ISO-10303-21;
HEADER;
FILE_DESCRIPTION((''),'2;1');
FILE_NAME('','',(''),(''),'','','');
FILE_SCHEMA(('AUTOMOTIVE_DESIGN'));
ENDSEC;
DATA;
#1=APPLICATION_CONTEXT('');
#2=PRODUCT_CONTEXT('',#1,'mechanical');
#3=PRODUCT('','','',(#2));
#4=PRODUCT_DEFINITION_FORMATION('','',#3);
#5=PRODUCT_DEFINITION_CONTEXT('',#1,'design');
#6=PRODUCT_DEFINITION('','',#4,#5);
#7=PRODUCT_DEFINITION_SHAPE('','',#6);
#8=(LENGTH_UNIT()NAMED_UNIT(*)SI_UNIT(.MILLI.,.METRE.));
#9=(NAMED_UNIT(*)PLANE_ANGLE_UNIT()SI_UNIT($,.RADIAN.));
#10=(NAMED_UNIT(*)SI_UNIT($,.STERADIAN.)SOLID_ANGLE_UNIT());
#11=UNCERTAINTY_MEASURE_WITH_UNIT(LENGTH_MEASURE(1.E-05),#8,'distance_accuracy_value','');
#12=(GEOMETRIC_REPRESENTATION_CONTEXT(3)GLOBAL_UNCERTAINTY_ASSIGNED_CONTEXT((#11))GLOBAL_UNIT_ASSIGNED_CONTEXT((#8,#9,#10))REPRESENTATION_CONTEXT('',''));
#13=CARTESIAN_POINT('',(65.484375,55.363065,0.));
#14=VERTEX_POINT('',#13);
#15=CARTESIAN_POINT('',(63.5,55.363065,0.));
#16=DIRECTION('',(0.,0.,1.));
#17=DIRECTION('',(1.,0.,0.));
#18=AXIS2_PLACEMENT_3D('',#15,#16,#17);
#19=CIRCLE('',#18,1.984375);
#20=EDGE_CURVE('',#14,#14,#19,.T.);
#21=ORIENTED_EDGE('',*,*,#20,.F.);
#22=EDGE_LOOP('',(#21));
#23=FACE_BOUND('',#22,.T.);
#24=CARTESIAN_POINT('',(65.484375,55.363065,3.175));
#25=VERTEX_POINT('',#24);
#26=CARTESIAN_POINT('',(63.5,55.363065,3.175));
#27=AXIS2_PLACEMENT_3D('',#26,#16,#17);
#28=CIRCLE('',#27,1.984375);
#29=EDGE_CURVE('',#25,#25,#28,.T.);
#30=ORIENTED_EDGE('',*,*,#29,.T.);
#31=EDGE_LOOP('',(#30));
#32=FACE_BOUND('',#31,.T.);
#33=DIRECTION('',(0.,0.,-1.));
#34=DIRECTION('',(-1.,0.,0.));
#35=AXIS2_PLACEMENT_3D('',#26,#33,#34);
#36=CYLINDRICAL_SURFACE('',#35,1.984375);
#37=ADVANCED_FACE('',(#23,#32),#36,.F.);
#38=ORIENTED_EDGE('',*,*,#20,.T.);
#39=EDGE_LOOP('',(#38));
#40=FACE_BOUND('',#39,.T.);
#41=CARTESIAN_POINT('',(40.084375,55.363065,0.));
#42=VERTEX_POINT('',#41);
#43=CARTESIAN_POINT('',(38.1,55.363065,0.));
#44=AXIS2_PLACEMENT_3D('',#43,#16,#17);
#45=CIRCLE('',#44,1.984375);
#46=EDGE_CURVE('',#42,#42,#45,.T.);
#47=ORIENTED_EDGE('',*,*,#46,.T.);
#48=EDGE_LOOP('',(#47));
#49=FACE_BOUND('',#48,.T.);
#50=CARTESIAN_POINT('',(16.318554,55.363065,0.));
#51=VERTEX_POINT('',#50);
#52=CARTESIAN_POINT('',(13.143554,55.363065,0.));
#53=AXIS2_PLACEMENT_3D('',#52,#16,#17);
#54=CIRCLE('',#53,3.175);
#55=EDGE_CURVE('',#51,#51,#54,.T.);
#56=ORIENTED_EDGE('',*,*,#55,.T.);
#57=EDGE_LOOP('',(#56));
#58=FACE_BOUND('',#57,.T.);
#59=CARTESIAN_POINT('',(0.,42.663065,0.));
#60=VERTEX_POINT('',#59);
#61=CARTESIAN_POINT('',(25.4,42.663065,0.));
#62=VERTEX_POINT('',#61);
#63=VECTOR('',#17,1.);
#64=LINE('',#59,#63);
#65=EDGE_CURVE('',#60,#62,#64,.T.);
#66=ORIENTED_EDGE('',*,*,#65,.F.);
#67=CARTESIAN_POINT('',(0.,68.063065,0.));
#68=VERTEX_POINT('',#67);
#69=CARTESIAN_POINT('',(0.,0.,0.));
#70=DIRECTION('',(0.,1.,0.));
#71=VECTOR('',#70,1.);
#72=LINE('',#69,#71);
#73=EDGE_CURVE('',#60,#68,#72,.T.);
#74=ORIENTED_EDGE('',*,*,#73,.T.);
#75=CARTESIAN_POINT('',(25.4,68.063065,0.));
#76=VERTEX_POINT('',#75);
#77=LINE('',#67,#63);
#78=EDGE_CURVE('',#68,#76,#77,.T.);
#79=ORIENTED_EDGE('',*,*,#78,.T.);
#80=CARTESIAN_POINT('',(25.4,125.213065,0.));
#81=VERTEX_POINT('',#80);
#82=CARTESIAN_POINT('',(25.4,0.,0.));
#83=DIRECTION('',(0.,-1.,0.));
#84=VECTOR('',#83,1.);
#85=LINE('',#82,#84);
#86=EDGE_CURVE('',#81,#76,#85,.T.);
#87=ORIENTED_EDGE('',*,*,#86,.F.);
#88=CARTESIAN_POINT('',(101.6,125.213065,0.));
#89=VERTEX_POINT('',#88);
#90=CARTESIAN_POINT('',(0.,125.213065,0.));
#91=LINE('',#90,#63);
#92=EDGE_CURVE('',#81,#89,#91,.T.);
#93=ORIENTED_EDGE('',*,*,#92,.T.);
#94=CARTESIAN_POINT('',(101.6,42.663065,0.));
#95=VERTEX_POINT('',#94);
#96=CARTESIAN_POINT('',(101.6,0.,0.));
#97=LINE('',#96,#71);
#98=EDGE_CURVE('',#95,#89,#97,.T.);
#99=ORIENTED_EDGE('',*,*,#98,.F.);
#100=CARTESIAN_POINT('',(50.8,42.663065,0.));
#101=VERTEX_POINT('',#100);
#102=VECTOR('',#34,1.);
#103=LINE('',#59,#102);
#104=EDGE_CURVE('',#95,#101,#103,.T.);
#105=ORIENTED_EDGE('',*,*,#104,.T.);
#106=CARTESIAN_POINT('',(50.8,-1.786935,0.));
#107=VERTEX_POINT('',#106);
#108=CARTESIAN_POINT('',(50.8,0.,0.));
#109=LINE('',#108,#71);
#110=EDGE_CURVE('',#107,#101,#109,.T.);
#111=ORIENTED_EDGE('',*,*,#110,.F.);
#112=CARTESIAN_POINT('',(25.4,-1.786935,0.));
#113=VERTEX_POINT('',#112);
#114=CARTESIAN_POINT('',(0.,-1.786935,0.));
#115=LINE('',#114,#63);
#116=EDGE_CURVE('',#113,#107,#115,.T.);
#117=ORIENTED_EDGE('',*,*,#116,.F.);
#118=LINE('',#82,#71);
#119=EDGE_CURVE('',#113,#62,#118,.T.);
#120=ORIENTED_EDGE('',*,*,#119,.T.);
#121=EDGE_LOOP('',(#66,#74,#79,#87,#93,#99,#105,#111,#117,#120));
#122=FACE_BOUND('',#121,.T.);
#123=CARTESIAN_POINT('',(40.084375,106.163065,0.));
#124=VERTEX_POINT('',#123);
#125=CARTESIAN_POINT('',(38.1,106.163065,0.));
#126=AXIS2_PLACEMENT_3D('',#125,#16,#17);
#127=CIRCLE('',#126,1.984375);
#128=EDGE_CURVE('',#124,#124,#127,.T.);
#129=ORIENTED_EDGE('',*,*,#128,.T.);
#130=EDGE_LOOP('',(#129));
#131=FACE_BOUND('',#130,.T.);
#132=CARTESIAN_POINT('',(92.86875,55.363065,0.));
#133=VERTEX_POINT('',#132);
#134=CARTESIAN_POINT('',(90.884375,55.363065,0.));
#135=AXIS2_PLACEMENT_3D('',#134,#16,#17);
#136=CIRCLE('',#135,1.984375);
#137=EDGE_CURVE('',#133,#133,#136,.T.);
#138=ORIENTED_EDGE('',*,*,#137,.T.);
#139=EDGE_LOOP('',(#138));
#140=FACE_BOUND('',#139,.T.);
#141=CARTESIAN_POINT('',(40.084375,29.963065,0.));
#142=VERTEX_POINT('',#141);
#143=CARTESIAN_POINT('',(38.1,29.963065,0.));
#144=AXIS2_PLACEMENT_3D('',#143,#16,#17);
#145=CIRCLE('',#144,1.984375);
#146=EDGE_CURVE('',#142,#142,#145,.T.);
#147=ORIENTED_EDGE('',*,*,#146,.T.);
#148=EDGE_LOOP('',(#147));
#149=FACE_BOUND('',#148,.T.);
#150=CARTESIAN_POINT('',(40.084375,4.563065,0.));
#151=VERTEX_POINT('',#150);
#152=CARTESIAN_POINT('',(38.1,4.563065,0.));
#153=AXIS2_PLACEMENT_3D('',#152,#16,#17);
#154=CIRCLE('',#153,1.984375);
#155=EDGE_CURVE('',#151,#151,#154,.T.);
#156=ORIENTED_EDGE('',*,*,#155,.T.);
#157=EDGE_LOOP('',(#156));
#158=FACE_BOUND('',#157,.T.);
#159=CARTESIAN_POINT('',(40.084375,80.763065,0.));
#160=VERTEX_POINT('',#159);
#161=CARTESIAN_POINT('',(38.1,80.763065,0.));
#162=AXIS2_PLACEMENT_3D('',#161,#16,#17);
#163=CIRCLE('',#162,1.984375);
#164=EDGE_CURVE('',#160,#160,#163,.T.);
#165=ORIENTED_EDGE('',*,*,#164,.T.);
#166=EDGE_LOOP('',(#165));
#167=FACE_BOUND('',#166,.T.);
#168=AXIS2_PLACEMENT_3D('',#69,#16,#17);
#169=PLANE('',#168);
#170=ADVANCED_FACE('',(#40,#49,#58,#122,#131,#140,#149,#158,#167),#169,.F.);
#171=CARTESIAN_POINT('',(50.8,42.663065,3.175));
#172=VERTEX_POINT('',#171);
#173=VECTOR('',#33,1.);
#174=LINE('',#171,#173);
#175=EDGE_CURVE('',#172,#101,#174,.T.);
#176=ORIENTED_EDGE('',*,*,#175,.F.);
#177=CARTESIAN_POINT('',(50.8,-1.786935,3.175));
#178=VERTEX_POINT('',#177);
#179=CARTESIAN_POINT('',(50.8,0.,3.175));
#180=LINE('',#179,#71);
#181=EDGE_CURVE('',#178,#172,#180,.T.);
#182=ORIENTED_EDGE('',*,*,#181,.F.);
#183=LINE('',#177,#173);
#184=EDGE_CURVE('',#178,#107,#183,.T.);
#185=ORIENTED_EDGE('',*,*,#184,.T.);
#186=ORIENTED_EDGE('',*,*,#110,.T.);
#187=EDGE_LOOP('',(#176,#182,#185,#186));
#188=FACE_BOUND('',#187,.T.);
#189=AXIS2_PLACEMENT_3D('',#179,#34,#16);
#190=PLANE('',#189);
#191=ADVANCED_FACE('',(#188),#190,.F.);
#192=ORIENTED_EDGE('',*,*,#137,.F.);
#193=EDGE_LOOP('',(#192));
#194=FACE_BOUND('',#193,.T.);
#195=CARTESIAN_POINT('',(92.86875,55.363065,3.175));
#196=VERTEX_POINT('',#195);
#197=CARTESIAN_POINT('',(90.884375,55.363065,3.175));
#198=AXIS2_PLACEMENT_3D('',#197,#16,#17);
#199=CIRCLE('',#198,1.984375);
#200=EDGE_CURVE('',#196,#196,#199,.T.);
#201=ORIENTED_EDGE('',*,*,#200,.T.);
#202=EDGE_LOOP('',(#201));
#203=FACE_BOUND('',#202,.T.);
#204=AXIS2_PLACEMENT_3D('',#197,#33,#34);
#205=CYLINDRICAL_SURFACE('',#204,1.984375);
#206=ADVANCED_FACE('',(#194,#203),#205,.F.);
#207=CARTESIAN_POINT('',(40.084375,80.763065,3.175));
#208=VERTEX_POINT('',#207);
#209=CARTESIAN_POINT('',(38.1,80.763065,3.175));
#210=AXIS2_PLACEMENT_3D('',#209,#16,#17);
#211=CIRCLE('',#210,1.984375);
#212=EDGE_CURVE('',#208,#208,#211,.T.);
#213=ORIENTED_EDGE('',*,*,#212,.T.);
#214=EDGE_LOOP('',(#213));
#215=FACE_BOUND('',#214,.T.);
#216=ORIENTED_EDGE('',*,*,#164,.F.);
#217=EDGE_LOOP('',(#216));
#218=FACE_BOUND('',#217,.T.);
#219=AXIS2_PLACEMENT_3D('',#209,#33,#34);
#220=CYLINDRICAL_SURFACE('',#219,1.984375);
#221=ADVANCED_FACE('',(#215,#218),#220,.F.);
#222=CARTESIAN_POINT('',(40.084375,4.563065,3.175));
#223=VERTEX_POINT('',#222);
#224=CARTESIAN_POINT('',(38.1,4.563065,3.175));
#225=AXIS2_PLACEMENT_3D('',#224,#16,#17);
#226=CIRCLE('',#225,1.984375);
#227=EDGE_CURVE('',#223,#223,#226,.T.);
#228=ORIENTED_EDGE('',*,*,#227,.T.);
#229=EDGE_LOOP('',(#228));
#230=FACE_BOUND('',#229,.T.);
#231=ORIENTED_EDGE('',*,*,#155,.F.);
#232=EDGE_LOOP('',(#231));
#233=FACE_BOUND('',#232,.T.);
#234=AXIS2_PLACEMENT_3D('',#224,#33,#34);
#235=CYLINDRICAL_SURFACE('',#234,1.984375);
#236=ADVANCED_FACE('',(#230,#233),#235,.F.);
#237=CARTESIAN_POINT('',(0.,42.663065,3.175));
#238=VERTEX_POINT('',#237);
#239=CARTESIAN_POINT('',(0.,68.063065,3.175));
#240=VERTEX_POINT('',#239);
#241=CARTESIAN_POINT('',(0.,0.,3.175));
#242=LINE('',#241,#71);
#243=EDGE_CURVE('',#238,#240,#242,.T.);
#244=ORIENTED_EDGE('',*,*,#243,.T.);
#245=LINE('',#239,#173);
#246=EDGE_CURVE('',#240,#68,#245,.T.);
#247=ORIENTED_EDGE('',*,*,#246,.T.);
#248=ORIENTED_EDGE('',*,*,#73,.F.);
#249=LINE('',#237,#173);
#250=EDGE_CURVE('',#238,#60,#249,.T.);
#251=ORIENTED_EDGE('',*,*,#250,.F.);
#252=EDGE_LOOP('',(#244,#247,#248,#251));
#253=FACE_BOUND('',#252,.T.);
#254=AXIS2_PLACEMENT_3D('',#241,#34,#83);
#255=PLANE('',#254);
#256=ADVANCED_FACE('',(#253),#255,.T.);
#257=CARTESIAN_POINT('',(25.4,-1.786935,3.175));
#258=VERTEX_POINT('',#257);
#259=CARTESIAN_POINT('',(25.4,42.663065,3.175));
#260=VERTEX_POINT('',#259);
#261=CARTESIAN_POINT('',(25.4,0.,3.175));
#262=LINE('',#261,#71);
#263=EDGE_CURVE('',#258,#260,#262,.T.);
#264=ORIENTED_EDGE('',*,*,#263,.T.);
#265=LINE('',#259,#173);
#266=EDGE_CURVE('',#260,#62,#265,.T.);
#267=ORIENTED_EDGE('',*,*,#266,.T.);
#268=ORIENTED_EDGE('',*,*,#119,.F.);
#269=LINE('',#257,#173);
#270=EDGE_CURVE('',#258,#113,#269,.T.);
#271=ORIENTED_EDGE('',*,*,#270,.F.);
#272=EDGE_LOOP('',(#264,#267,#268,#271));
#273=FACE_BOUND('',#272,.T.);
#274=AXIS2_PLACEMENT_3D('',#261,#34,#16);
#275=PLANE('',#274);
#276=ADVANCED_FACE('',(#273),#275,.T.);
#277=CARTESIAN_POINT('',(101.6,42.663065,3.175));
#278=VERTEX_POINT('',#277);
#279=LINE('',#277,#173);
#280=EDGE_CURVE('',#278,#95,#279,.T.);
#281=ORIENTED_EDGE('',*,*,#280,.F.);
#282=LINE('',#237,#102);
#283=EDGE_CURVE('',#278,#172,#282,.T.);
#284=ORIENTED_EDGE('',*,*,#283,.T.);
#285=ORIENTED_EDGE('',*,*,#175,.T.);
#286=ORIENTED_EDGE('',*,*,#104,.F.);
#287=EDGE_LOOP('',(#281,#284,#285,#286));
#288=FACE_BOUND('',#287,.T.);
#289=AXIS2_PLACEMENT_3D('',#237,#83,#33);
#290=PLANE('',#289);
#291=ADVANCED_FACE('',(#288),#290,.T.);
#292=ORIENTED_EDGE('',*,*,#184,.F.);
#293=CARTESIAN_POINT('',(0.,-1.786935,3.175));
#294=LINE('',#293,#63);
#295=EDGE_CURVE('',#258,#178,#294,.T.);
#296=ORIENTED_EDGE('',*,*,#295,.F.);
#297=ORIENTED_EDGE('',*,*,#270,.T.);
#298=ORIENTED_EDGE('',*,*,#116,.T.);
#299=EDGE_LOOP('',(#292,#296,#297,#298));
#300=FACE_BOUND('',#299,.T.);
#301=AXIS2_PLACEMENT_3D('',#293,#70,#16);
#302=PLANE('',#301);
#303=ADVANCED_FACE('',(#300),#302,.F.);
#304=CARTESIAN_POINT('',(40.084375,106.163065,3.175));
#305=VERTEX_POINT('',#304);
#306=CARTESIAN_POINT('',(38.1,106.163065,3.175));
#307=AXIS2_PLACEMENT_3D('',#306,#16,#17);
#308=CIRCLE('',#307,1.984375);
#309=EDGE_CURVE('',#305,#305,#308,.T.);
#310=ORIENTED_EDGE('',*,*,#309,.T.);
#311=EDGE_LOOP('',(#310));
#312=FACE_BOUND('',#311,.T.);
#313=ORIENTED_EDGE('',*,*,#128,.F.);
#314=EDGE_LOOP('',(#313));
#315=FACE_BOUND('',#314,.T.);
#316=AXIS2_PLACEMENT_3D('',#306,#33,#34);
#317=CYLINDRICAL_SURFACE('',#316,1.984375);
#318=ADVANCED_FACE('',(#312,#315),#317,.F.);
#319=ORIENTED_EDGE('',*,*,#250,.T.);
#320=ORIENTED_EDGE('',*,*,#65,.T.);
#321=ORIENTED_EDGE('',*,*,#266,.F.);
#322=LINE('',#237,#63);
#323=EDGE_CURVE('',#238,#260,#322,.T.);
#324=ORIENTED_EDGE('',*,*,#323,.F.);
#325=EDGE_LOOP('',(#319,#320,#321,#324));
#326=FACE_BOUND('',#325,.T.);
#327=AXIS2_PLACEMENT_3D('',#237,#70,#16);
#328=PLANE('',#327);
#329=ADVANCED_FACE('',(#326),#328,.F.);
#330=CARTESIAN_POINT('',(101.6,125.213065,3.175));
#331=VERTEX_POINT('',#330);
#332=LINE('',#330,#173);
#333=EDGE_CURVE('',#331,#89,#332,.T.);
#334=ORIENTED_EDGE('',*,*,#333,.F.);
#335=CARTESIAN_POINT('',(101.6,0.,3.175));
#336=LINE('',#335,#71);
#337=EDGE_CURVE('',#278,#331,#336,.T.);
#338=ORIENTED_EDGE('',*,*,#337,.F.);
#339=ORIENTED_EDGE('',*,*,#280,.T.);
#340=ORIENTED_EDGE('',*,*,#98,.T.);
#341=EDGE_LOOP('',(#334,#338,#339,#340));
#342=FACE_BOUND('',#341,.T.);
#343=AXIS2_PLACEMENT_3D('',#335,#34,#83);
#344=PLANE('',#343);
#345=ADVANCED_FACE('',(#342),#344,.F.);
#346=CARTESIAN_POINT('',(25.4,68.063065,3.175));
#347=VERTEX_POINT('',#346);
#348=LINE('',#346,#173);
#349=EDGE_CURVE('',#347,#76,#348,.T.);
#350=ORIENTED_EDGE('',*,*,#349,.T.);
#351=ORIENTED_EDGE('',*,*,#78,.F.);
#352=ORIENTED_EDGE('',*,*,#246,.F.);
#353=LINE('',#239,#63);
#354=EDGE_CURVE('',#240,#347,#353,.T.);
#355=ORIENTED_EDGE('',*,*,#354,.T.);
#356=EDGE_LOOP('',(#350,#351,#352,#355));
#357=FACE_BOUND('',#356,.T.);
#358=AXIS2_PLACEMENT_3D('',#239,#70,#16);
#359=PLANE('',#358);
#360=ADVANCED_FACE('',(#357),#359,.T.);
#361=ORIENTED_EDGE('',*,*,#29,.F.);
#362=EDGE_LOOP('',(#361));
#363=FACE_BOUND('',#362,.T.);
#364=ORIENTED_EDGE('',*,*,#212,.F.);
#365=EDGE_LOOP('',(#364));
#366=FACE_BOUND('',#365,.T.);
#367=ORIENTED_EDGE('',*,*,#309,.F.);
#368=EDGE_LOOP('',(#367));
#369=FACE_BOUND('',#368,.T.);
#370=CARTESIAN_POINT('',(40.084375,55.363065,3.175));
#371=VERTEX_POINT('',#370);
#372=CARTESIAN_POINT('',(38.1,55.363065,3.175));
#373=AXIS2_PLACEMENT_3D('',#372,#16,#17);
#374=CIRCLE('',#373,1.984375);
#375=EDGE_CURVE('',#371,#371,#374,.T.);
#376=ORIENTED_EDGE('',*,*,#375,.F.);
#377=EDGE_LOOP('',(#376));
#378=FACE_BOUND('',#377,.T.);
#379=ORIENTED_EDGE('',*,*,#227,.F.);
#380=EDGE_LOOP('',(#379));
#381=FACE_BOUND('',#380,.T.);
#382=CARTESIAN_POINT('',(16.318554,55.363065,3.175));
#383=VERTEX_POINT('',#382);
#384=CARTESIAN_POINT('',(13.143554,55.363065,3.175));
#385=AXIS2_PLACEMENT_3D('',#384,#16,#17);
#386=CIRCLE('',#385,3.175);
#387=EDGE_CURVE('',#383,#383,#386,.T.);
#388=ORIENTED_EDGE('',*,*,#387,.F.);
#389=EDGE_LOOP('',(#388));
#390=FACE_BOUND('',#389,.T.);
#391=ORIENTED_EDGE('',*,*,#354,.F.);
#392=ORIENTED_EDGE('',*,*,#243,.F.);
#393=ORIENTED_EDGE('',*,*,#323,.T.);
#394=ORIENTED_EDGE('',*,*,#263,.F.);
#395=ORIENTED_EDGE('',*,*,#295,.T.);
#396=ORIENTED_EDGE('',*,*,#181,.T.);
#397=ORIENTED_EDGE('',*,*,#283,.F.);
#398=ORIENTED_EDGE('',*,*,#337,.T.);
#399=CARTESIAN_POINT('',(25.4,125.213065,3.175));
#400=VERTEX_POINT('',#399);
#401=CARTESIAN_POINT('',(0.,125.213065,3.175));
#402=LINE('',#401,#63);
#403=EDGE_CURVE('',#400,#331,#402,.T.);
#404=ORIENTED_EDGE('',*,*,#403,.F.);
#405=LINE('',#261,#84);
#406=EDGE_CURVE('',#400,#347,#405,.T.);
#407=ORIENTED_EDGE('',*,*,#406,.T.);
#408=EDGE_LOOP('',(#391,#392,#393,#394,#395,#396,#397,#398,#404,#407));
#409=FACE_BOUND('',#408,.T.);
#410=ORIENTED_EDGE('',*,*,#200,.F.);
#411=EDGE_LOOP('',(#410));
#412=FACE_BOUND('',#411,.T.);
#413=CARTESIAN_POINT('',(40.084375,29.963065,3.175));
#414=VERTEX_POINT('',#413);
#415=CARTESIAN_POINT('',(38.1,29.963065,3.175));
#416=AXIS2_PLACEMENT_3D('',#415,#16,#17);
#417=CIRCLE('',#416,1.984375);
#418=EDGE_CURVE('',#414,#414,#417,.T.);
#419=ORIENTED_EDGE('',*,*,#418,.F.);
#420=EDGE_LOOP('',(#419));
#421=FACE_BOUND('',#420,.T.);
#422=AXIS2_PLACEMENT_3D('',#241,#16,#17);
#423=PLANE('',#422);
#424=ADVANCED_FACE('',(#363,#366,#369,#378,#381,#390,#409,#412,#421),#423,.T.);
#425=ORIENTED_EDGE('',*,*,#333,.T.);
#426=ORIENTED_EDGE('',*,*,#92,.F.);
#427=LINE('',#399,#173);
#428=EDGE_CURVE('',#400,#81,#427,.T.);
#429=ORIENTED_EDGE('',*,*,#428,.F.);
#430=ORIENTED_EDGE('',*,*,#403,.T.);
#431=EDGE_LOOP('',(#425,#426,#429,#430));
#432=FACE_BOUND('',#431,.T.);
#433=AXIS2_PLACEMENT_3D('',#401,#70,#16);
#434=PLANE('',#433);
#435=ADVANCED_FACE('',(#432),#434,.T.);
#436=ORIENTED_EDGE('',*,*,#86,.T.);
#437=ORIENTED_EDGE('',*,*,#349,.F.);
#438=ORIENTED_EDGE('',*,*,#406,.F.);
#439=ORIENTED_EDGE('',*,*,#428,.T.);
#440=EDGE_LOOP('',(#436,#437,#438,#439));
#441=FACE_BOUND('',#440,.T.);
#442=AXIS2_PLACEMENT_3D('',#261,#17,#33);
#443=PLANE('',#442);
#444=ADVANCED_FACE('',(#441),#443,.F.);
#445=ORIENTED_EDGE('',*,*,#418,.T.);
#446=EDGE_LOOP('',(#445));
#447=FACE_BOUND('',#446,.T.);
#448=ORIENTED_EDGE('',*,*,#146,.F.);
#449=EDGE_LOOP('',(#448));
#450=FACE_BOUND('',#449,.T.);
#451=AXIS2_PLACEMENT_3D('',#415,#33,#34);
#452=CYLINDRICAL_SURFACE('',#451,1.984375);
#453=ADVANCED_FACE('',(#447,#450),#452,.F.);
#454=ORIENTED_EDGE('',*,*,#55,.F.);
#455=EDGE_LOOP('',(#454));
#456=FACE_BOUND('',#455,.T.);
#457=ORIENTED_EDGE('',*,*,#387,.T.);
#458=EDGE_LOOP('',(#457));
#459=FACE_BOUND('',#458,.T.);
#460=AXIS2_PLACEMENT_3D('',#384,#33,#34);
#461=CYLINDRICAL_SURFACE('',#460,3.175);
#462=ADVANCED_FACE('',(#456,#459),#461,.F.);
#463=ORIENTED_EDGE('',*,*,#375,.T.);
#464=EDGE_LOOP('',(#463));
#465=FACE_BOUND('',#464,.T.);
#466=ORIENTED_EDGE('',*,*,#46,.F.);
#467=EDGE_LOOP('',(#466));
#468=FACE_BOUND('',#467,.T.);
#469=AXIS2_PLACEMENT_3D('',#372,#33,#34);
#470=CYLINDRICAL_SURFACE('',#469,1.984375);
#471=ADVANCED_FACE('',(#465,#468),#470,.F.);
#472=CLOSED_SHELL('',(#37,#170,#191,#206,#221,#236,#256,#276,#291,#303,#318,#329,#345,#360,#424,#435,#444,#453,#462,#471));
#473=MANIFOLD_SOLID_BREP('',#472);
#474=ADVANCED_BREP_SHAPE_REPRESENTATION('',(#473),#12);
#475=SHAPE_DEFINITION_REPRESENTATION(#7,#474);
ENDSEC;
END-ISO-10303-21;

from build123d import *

# Parameters (mm, degrees)
SKETCH1_R           = 1.984375
SKETCH1_R_2         = 3.175
BOSS_EXTRUDE1_DEPTH = 3.175


with BuildPart() as part:
    # Sketch1 → Boss-Extrude1 (new body)
    with BuildSketch(Plane.XY):
        Polygon((25.4, 42.663065327), (25.4, -1.786934673), (50.8, -1.786934673), (50.8, 42.663065327), (101.6, 42.663065327), (101.6, 125.213065327), (25.4, 125.213065327), (25.4, 68.063065327), (0, 68.063065327), (0, 42.663065327), align=None)
        with Locations((38.1, 4.563065327)):
            Circle(SKETCH1_R, mode=Mode.SUBTRACT)
        with Locations((13.143553611, 55.363065327)):
            Circle(SKETCH1_R_2, mode=Mode.SUBTRACT)
        with Locations((38.1, 29.963065327)):
            Circle(SKETCH1_R, mode=Mode.SUBTRACT)
        with Locations((38.1, 55.363065327)):
            Circle(SKETCH1_R, mode=Mode.SUBTRACT)
        with Locations((63.5, 55.363065327)):
            Circle(SKETCH1_R, mode=Mode.SUBTRACT)
        with Locations((90.884375, 55.363065327)):
            Circle(SKETCH1_R, mode=Mode.SUBTRACT)
        with Locations((38.1, 80.763065327)):
            Circle(SKETCH1_R, mode=Mode.SUBTRACT)
        with Locations((38.1, 106.163065327)):
            Circle(SKETCH1_R, mode=Mode.SUBTRACT)
    extrude(amount=BOSS_EXTRUDE1_DEPTH)


solid = part.part
